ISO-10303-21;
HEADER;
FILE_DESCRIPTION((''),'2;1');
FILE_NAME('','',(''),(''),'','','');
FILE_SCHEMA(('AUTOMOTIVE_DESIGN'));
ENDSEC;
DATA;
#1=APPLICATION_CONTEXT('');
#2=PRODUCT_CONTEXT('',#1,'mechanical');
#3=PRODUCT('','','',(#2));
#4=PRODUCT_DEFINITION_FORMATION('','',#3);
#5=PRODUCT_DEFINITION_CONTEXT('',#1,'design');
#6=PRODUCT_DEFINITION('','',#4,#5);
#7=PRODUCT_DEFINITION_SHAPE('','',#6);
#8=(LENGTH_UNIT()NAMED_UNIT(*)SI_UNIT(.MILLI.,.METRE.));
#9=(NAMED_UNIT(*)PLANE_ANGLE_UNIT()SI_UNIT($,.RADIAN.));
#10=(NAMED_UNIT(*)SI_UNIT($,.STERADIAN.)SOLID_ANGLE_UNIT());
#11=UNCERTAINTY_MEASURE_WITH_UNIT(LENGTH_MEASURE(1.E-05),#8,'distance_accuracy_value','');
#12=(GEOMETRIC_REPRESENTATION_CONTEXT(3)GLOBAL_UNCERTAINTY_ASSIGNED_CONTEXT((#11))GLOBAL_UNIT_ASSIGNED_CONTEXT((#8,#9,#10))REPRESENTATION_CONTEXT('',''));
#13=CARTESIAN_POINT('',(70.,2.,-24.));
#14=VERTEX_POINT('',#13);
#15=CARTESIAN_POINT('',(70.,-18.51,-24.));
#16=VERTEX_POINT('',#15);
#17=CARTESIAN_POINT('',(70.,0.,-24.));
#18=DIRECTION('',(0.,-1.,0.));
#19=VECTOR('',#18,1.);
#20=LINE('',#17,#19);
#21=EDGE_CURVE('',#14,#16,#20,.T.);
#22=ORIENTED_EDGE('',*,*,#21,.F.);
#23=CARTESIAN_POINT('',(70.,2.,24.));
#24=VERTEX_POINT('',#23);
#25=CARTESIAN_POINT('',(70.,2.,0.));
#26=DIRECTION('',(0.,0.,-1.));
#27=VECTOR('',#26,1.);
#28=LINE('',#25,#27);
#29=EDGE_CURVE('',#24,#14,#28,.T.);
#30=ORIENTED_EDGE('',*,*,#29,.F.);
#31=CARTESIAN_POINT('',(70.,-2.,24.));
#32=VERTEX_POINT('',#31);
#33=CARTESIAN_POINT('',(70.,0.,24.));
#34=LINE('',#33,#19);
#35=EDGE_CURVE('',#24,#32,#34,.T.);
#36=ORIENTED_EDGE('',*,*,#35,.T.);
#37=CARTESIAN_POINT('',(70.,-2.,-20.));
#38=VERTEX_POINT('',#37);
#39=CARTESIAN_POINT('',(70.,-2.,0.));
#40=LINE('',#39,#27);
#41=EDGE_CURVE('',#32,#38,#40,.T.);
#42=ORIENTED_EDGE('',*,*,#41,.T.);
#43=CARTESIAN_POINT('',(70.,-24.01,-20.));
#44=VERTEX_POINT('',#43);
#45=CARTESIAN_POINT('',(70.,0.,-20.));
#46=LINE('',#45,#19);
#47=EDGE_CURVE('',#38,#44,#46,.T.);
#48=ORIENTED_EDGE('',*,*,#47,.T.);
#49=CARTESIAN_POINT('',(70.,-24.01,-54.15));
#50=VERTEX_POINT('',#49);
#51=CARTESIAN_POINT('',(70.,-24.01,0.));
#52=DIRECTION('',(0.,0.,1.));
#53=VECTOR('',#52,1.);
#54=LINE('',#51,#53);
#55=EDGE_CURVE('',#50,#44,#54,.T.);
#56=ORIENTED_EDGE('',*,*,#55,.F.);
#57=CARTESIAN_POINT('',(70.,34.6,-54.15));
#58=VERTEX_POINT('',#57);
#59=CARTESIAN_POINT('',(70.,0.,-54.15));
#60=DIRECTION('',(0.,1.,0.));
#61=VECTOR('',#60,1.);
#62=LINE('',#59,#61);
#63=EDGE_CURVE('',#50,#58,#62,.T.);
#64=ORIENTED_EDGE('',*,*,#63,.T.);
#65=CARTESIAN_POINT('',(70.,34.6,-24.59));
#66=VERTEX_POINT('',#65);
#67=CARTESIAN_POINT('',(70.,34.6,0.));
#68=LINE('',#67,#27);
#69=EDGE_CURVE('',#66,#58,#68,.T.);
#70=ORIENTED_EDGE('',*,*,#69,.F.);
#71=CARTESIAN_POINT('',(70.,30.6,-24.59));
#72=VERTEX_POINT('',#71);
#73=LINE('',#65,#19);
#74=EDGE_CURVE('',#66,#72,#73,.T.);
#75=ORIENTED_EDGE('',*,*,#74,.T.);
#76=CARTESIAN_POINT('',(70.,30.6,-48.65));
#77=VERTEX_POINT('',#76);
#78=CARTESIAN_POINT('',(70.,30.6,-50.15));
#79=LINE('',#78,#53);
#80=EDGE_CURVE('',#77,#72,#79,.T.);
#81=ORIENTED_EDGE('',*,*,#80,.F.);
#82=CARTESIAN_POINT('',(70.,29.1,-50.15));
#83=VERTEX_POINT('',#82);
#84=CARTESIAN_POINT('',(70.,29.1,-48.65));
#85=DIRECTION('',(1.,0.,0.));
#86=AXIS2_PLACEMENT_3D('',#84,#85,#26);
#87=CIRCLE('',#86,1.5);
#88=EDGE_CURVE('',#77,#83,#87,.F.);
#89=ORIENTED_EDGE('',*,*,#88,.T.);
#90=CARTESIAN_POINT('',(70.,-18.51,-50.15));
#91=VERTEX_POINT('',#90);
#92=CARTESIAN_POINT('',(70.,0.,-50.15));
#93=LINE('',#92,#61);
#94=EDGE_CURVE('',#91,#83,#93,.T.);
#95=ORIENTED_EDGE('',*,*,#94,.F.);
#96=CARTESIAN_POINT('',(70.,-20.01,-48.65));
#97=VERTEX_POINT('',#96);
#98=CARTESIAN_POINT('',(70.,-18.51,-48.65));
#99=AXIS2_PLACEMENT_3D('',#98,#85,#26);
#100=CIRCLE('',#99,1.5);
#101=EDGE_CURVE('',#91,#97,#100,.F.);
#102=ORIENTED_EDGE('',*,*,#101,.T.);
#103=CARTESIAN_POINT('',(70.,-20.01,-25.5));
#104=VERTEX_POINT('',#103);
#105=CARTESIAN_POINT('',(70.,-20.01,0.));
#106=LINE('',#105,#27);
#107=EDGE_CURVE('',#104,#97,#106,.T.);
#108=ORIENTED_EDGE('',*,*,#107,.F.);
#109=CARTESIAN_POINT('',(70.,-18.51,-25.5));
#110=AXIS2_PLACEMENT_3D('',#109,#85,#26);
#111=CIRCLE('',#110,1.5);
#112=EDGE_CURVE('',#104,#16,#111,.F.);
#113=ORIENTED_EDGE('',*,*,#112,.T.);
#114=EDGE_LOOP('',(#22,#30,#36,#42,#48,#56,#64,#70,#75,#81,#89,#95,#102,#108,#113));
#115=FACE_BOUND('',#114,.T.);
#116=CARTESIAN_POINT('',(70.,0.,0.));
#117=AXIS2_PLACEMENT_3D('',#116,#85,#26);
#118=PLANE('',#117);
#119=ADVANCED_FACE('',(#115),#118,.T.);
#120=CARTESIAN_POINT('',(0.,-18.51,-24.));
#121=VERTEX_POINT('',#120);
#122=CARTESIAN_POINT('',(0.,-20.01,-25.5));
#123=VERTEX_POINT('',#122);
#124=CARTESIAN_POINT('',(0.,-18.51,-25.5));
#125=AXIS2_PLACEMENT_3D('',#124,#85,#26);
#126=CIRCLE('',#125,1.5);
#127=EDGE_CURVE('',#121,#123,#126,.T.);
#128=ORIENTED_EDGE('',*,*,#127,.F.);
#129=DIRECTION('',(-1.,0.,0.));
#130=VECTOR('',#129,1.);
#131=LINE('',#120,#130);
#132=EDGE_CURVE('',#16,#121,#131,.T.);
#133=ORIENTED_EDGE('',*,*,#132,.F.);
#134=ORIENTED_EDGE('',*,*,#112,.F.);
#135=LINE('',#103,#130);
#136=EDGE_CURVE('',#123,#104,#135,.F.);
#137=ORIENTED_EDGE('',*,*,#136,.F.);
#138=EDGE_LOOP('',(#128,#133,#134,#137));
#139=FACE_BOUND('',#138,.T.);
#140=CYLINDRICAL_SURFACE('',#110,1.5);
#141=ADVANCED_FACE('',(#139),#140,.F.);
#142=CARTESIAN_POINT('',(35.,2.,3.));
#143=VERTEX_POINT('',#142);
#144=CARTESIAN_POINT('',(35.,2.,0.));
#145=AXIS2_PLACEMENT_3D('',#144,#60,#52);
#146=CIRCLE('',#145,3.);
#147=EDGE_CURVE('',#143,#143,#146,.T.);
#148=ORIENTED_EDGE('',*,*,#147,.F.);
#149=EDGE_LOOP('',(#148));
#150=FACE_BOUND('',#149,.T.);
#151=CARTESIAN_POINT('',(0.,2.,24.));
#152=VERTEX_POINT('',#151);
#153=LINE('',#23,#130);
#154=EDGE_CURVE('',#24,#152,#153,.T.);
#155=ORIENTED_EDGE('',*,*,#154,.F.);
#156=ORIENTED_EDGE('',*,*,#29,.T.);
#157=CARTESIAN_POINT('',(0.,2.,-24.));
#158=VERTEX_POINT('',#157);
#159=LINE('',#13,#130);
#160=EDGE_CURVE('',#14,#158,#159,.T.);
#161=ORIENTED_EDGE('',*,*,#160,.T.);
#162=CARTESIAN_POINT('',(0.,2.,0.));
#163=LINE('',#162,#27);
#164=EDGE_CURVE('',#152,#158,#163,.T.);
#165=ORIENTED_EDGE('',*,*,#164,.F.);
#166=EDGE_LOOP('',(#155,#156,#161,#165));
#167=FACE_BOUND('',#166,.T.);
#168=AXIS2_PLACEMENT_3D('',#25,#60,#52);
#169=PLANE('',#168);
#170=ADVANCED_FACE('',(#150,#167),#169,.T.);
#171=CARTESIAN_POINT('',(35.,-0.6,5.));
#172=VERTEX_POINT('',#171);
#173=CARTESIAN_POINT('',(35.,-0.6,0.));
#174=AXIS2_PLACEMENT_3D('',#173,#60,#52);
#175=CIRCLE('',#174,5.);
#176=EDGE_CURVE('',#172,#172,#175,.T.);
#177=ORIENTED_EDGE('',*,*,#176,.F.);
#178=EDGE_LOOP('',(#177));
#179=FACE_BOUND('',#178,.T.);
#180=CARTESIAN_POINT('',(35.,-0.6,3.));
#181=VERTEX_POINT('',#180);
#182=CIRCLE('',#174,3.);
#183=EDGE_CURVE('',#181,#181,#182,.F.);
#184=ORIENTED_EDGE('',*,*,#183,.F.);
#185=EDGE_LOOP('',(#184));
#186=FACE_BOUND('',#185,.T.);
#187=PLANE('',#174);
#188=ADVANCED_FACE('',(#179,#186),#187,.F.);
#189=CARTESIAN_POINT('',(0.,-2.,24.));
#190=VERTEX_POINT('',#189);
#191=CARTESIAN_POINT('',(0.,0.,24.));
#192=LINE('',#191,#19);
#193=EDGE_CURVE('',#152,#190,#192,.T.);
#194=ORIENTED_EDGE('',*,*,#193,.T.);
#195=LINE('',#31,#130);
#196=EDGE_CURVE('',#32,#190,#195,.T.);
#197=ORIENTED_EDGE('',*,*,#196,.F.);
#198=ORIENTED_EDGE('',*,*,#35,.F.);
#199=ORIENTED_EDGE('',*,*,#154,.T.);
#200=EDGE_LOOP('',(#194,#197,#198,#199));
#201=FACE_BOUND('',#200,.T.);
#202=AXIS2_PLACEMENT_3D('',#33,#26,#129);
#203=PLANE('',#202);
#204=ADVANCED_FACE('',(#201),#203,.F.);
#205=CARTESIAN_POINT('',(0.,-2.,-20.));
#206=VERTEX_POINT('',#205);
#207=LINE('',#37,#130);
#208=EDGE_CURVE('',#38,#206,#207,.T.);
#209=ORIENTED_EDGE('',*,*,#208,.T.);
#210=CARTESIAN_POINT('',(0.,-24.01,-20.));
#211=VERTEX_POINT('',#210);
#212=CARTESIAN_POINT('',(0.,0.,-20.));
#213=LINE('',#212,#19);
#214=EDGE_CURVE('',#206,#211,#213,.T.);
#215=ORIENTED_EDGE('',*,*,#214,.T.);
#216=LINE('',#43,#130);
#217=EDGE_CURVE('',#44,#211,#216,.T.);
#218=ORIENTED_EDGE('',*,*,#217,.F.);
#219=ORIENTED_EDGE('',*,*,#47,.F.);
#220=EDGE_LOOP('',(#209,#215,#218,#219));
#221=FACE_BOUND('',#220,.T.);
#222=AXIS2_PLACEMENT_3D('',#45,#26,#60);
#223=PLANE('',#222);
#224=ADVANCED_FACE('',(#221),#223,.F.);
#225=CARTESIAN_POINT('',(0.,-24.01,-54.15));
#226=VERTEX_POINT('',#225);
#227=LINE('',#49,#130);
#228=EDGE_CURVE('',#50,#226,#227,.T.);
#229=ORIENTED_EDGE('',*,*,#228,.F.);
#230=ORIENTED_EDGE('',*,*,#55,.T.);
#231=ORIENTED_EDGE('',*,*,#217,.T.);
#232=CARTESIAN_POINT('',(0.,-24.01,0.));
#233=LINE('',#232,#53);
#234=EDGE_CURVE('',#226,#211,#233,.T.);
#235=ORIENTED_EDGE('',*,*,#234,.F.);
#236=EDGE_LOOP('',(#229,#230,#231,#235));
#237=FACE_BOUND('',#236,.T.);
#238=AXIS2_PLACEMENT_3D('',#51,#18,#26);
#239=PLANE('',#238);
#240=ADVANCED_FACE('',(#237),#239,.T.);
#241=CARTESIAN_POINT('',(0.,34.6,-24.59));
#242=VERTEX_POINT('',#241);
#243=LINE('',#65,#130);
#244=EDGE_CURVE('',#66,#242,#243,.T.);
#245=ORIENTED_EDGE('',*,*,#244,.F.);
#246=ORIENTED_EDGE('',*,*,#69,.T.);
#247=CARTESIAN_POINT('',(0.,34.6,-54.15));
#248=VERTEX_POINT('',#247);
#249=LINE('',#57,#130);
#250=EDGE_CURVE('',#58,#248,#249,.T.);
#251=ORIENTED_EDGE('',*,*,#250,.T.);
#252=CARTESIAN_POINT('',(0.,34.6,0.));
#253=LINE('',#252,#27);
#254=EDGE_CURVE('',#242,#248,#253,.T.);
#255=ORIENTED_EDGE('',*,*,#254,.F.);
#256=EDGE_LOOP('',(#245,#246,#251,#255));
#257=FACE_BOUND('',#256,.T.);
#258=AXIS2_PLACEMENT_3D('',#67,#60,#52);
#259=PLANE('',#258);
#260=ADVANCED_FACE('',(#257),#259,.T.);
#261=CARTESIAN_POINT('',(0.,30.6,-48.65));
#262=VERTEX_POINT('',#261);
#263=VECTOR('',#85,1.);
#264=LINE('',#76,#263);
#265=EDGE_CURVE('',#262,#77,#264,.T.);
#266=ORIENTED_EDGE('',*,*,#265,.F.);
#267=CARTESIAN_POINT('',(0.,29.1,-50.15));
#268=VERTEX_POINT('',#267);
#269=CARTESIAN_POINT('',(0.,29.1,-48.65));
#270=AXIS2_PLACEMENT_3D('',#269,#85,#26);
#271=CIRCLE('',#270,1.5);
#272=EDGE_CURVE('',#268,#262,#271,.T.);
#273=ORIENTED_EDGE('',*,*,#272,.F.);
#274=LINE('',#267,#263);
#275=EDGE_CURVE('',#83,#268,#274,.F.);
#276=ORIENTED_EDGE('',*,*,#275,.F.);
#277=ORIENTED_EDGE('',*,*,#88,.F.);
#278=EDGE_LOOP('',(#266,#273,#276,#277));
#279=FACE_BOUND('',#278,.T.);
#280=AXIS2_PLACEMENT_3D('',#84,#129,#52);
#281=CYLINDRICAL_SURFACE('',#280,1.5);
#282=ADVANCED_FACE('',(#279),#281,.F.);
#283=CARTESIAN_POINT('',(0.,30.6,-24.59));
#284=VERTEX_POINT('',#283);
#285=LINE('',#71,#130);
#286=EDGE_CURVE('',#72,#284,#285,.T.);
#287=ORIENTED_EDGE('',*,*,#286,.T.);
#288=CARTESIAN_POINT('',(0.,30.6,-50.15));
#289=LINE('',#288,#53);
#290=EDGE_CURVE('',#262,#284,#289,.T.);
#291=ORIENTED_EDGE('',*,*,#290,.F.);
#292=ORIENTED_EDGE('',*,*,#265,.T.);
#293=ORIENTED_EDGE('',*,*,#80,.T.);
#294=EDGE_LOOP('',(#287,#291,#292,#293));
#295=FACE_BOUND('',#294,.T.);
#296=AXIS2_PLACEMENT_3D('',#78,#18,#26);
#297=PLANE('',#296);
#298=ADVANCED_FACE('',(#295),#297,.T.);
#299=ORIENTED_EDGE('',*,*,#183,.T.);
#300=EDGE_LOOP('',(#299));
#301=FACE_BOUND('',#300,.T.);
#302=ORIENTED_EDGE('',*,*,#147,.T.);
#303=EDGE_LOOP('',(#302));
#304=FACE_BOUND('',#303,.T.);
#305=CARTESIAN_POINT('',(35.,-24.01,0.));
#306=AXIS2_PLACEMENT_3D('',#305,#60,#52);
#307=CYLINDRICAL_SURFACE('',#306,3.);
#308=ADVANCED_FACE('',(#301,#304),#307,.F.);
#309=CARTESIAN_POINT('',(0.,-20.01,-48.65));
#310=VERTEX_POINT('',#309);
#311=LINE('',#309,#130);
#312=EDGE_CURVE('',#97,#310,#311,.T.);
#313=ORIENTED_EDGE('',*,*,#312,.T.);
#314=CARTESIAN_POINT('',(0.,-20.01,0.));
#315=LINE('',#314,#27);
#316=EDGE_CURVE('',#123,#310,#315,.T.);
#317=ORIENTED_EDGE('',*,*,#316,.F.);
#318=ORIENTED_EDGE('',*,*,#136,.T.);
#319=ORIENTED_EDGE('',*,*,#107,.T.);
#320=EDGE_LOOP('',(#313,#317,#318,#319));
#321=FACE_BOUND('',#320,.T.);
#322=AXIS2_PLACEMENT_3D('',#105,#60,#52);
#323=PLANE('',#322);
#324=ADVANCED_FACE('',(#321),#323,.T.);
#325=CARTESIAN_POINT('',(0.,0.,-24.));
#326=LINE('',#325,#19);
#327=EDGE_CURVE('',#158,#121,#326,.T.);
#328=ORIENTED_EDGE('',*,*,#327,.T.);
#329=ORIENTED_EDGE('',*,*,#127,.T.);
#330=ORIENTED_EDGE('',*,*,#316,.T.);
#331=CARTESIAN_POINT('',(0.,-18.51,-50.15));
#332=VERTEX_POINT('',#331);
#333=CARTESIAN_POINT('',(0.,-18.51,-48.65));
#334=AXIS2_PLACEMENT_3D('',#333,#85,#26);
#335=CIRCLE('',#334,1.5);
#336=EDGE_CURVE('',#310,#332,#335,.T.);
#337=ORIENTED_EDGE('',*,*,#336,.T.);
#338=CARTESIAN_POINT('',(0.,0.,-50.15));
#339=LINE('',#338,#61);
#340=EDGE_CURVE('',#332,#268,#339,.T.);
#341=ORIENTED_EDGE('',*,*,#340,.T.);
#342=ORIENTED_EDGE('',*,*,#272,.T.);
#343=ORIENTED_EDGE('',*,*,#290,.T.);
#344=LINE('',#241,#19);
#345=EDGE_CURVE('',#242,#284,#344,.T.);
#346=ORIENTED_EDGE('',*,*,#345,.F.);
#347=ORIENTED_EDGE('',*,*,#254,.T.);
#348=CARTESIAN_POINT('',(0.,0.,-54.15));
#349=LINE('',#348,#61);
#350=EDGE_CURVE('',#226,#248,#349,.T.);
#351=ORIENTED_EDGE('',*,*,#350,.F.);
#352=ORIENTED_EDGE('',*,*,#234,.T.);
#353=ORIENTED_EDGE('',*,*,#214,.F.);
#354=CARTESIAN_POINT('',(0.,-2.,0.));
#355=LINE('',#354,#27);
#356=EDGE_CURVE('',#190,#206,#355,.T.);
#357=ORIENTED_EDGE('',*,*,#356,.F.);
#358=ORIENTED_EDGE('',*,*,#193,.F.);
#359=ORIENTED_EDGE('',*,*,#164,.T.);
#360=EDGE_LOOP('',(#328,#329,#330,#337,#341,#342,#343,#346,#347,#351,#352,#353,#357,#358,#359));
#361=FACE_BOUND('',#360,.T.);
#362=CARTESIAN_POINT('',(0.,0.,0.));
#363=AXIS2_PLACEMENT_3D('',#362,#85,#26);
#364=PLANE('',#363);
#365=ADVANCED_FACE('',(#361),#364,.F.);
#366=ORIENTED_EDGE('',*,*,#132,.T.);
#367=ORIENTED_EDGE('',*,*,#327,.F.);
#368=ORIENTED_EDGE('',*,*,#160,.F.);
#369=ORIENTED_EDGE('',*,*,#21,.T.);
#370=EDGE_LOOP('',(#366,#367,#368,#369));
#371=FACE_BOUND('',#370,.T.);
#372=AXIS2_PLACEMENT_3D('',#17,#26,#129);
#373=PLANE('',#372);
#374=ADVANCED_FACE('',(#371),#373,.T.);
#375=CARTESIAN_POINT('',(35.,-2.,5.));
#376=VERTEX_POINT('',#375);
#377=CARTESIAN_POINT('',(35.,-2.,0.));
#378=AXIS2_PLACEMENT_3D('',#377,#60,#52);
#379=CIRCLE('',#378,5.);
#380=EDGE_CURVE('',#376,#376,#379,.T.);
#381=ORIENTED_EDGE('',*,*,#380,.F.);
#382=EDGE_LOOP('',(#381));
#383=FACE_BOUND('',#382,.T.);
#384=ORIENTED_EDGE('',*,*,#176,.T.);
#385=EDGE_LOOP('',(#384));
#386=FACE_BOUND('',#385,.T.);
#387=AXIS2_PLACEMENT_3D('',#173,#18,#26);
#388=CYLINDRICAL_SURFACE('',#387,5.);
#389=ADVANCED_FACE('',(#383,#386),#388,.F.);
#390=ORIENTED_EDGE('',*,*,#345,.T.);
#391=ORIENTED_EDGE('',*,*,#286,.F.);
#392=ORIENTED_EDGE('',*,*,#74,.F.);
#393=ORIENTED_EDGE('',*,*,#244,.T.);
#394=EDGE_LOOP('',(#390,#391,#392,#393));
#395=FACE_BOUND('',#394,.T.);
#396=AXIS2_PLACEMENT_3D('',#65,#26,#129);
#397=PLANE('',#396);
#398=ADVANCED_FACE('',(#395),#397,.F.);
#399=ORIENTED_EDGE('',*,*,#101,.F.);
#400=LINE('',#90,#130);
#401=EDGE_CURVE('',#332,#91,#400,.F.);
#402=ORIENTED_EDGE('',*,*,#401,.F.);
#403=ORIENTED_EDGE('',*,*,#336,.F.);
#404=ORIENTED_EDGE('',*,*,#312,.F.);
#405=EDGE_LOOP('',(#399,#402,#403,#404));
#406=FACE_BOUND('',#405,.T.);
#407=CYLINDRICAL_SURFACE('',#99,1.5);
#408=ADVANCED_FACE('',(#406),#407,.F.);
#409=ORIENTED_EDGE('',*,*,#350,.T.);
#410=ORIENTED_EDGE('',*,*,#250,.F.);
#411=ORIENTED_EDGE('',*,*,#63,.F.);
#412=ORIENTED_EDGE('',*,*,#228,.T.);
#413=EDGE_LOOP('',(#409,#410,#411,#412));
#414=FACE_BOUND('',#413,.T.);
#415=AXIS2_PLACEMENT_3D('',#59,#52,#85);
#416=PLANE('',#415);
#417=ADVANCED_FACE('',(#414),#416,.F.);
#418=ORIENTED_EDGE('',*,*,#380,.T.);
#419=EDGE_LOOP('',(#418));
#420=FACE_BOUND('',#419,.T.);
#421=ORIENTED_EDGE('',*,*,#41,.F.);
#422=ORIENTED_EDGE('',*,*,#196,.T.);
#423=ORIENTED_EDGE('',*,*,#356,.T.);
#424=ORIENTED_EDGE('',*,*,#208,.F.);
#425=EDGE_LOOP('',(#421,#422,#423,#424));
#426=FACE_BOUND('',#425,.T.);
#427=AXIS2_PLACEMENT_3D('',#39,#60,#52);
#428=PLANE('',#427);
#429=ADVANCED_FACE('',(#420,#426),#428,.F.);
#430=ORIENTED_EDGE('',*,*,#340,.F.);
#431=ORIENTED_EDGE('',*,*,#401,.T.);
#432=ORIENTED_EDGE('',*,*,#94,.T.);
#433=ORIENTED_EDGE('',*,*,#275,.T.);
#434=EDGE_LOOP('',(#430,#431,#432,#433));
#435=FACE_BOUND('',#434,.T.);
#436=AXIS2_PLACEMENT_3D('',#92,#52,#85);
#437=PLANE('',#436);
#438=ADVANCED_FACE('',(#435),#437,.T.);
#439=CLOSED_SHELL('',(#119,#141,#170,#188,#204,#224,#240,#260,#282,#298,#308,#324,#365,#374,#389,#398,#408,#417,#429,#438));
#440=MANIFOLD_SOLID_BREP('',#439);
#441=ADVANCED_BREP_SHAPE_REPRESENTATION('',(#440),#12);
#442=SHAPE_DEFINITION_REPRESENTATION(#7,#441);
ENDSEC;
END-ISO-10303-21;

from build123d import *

# Parameters (mm, degrees)
SKETCH2_W           = 44
SKETCH2_H           = 4
SKETCH2_W_2         = 4
SKETCH2_W_3         = 26.15
SKETCH2_W_4         = 25.56
BOSS_EXTRUDE1_DEPTH = 70
FILLET1_R           = 1.5
SKETCH3_R           = 3
CUT_EXTRUDE1_DEPTH  = 95.313214875
SKETCH4_R           = 5
CUT_EXTRUDE2_DEPTH  = 1.4


with BuildPart() as part:
    # Sketch2 → Boss-Extrude1 (new body)
    with BuildSketch(Plane(origin=(0, 0, 0), x_dir=(0, 0, -1), z_dir=(1, 0, 0))):
        with Locations((-2, 0)):
            Rectangle(SKETCH2_W, SKETCH2_H)
        with Locations((22, 0)):
            Rectangle(SKETCH2_W_2, SKETCH2_H)
        Polygon((24, -2), (20, -2), (20, -24.01), (24, -24.01), (24, -20.01), align=None)
        with Locations((37.075, -22.01)):
            Rectangle(SKETCH2_W_3, SKETCH2_H)
        Polygon((50.15, 30.6), (50.15, -20.01), (50.15, -24.01), (54.15, -24.01), (54.15, 34.6), (50.15, 34.6), align=None)
        with Locations((37.37, 32.6)):
            Rectangle(SKETCH2_W_4, SKETCH2_H)
    extrude(amount=BOSS_EXTRUDE1_DEPTH)

    # Fillet1
    fillet1_edges = [part.edges().sort_by_distance(p)[0] for p in [
        (35, -20.01, -24),
        (35, -20.01, -50.15),
        (35, 30.6, -50.15),
    ]]
    fillet(fillet1_edges, radius=FILLET1_R)

    # Sketch3 → Cut-Extrude1 (cut, through all)
    with BuildSketch(Plane(origin=(0, 2, 0), x_dir=(1, 0, 0), z_dir=(0, 1, 0))):
        with Locations(Location((35, 0, 0), (0, 0, 270))):
            Circle(SKETCH3_R)
    extrude(amount=-CUT_EXTRUDE1_DEPTH, mode=Mode.SUBTRACT)

    # Sketch4 → Cut-Extrude2 (cut)
    with BuildSketch(Plane(origin=(0, -2, 0), x_dir=(1, 0, 0), z_dir=(0, 1, 0))):
        with Locations(Location((35, 0, 0), (0, 0, 270))):
            Circle(SKETCH4_R)
    extrude(amount=CUT_EXTRUDE2_DEPTH, mode=Mode.SUBTRACT)


solid = part.part
